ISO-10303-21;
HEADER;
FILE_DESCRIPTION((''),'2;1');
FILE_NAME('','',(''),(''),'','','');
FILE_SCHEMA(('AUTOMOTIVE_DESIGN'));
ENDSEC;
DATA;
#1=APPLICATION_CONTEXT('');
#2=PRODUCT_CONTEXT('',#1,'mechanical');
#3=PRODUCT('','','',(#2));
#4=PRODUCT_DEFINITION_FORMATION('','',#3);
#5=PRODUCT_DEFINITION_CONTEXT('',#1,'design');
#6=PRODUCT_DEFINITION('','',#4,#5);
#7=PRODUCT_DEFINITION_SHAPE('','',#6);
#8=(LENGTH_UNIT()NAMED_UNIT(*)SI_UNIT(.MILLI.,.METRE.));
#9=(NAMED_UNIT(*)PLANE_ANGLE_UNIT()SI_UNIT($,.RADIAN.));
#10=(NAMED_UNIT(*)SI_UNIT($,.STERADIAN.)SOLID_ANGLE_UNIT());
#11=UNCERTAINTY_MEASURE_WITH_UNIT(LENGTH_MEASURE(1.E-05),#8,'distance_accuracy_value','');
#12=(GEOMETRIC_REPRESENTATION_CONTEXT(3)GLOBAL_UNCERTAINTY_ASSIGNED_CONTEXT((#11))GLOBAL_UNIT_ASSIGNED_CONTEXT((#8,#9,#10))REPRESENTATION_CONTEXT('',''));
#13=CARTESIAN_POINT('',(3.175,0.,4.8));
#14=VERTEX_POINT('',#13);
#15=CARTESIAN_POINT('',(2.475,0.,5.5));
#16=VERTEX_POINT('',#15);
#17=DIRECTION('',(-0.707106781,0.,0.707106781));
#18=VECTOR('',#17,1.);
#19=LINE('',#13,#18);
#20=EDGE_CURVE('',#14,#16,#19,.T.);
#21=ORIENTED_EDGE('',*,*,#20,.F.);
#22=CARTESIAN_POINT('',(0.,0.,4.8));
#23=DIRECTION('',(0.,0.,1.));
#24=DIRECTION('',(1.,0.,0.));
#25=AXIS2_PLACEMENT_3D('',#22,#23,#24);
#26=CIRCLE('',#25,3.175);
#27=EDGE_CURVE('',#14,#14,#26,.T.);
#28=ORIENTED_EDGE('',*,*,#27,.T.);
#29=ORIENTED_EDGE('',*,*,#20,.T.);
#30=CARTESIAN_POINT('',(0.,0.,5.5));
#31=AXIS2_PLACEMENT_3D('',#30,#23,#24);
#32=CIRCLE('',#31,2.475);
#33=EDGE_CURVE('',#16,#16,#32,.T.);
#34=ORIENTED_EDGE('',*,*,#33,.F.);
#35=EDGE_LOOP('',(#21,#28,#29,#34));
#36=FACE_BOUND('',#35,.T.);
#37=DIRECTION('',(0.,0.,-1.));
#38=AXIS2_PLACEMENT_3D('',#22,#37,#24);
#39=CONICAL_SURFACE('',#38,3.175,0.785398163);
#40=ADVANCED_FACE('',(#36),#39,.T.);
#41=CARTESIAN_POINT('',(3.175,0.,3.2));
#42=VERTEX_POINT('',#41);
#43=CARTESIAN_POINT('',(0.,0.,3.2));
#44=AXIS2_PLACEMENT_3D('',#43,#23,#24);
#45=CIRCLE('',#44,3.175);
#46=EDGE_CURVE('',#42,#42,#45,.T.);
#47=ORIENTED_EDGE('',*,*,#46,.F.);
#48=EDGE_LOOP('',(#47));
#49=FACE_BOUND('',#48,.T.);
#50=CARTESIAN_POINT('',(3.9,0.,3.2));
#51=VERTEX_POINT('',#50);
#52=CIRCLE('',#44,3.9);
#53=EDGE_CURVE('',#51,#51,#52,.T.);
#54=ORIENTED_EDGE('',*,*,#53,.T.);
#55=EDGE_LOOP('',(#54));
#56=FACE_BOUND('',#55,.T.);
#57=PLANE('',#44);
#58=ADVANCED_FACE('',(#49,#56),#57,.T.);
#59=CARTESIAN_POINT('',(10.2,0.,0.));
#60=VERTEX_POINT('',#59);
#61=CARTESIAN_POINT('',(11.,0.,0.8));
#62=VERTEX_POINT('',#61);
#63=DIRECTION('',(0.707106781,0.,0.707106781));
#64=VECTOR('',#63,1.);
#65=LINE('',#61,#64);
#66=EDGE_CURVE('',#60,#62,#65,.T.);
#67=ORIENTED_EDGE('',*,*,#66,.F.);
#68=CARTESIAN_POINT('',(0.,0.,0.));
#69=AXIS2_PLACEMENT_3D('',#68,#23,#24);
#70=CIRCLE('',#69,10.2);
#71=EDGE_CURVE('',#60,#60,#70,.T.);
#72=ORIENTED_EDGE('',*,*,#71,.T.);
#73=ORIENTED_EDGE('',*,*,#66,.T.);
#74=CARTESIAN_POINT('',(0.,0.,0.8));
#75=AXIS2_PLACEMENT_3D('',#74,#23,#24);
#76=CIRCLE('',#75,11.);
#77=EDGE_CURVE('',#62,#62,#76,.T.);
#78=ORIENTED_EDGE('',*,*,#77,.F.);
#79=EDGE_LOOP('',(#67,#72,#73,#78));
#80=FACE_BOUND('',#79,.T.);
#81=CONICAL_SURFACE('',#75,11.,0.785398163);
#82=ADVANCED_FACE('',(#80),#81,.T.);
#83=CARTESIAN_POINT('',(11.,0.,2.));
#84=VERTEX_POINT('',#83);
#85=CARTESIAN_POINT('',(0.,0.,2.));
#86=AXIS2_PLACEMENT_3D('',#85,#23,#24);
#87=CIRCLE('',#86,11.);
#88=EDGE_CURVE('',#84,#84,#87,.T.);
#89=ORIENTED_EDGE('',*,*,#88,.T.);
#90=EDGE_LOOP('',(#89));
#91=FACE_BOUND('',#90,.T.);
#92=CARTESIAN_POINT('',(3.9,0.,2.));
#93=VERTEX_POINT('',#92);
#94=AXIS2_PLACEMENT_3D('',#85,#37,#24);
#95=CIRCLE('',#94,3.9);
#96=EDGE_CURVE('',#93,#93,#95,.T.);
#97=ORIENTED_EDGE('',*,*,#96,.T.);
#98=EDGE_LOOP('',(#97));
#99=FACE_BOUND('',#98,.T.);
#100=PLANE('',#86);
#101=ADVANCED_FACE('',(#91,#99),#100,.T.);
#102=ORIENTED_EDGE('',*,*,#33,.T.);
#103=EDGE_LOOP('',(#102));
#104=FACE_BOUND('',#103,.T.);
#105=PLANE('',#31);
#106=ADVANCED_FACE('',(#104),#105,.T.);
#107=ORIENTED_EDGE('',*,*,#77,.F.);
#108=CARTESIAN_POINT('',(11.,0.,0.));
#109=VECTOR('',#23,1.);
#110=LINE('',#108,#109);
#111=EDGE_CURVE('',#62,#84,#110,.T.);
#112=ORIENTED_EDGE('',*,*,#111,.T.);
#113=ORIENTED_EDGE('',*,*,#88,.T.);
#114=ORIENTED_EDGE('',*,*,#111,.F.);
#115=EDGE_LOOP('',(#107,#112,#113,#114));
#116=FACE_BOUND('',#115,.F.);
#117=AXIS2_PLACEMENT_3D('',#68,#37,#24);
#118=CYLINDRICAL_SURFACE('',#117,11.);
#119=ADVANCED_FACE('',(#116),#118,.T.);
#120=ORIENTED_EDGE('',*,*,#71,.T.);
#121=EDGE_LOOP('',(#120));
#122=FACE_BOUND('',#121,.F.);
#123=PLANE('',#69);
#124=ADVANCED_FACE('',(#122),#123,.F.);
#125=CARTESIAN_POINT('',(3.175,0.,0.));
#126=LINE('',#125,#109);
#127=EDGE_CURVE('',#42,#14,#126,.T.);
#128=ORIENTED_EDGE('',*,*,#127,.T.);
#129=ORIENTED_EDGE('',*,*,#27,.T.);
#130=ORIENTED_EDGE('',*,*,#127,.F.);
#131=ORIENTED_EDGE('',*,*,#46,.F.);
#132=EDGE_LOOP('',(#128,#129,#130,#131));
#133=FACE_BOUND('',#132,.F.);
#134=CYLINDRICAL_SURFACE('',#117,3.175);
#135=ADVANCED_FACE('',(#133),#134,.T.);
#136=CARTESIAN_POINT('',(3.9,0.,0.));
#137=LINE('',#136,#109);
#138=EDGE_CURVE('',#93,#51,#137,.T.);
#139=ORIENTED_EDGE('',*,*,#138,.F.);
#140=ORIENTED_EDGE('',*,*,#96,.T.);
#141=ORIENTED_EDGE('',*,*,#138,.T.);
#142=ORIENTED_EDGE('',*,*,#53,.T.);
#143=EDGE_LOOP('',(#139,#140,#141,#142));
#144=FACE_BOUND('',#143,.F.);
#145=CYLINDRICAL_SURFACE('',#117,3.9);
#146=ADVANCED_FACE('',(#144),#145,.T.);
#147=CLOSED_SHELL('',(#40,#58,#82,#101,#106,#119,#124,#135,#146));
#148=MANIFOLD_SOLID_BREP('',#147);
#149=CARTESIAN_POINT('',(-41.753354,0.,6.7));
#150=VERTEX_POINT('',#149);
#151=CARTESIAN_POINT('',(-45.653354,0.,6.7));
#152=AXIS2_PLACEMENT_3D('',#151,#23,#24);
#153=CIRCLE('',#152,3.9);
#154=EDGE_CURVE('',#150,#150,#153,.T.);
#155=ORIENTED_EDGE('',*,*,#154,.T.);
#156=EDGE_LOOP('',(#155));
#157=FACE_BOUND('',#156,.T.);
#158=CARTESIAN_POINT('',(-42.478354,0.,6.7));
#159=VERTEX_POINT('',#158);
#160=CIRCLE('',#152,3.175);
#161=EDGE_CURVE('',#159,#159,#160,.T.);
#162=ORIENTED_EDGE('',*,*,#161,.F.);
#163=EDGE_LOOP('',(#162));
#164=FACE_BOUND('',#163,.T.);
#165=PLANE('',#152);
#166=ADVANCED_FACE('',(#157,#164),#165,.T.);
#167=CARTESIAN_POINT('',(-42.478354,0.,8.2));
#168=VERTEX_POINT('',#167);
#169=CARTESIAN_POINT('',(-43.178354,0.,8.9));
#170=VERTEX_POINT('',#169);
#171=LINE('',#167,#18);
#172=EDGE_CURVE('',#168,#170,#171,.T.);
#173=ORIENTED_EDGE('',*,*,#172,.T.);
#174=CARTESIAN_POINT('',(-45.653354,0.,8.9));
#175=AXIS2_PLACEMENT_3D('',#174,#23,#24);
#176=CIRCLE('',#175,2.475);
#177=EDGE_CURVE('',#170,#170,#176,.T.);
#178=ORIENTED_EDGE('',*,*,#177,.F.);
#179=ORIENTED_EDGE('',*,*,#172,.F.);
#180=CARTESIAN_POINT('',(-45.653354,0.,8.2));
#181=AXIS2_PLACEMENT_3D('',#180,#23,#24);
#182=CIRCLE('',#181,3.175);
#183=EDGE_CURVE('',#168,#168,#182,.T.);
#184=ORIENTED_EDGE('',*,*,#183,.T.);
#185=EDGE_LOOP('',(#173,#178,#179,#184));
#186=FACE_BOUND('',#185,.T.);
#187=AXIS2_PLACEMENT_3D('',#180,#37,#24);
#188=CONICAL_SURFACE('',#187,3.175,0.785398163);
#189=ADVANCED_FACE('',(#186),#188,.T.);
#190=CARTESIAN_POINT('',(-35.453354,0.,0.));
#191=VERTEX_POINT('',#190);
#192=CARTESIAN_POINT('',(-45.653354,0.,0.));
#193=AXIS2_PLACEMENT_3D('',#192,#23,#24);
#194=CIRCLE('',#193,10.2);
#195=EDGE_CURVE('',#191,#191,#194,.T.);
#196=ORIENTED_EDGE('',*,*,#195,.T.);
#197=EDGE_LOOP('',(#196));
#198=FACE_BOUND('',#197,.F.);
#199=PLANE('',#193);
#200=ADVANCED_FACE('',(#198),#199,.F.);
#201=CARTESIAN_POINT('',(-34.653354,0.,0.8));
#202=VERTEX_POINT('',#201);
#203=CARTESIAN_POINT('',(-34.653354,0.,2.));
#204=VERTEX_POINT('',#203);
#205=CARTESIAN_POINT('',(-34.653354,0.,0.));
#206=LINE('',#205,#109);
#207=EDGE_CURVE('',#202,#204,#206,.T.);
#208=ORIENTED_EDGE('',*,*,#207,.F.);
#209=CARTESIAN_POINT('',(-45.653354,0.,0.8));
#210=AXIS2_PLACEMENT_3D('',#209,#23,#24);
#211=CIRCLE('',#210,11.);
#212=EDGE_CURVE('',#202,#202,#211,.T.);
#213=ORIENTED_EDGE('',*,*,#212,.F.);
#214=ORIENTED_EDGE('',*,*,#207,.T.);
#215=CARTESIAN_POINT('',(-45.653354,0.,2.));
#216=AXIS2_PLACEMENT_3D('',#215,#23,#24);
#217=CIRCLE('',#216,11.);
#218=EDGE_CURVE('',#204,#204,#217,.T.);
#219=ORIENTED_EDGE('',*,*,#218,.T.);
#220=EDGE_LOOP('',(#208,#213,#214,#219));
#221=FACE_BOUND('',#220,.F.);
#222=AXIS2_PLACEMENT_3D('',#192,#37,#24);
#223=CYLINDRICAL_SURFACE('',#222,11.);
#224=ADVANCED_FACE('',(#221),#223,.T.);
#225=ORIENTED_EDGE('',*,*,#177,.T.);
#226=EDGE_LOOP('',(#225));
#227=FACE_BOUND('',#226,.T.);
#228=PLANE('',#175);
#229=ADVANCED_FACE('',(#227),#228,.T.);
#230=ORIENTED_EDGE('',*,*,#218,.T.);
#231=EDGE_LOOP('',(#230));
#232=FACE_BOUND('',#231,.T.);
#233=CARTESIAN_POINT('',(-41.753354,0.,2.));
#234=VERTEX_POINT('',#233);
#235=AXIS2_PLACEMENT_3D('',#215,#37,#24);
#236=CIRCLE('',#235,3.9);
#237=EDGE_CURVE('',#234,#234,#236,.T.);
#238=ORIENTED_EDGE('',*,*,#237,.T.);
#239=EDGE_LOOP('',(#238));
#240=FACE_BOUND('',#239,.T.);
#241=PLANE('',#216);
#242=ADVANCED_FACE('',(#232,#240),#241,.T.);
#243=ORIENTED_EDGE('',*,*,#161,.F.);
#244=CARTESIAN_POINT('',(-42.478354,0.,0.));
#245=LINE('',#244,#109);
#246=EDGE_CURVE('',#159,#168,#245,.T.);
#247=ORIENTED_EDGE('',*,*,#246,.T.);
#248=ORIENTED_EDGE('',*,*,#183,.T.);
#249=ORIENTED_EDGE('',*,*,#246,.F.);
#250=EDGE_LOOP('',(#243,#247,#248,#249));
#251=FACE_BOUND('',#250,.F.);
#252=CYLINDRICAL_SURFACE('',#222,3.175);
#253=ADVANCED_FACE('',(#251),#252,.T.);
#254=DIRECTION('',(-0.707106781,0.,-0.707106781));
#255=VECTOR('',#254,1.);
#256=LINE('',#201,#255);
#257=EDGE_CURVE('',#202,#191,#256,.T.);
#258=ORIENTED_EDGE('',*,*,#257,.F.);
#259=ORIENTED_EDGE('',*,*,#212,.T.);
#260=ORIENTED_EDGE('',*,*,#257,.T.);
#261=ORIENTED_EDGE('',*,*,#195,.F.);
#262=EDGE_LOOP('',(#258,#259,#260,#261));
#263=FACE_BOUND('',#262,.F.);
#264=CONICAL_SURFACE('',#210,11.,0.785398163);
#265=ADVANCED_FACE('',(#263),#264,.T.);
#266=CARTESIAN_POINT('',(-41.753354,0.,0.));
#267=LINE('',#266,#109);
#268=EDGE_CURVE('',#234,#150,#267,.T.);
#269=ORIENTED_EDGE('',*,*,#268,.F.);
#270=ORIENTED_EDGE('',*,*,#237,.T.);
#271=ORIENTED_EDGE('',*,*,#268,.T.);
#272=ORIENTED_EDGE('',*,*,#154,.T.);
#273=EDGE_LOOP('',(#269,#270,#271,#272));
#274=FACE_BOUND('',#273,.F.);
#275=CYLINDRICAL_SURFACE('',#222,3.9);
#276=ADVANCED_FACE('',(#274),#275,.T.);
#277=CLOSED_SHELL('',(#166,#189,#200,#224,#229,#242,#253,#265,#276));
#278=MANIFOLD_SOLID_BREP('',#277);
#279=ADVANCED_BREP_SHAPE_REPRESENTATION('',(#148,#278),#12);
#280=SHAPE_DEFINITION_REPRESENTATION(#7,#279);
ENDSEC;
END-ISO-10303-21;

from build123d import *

# Parameters (mm, degrees)
F0_R     = 11
F0_R_2   = 3.9
F0_R_3   = 3.175
F1_DEPTH = 2
F2_DEPTH = 6.7
F3_DEPTH = 8.9
F4_DEPTH = 3.2
F5_DEPTH = 5.5
F6_SIZE  = 0.8
F7_SIZE  = 0.7


with BuildPart() as f1:
    # F0 (on Top) → F1 (new body)
    with BuildSketch(Plane.XY):
        with Locations((-45.653354, 0)):
            Circle(F0_R)
        with Locations((-45.653354, 0)):
            Circle(F0_R_2, mode=Mode.SUBTRACT)
        with Locations((-45.653354, 0)):
            Circle(F0_R_3)
        with Locations((-45.653354, 0)):
            Circle(F0_R_2)
        with Locations((-45.653354, 0)):
            Circle(F0_R_3, mode=Mode.SUBTRACT)
        Circle(F0_R)
        Circle(F0_R_2, mode=Mode.SUBTRACT)
        Circle(F0_R_2)
        Circle(F0_R_3, mode=Mode.SUBTRACT)
        Circle(F0_R_3)
    extrude(amount=F1_DEPTH)

    # F0 (on Top) → F2 (join)
    with BuildSketch(Plane.XY):
        with Locations((-45.653354, 0)):
            Circle(F0_R_3)
        with Locations((-45.653354, 0)):
            Circle(F0_R_2)
        with Locations((-45.653354, 0)):
            Circle(F0_R_3, mode=Mode.SUBTRACT)
    extrude(amount=F2_DEPTH)

    # F0 (on Top) → F3 (join)
    with BuildSketch(Plane.XY):
        with Locations((-45.653354, 0)):
            Circle(F0_R_3)
    extrude(amount=F3_DEPTH)

    # F0 (on Top) → F4 (join)
    with BuildSketch(Plane.XY):
        Circle(F0_R_3)
        Circle(F0_R_2)
        Circle(F0_R_3, mode=Mode.SUBTRACT)
    extrude(amount=F4_DEPTH)

    # F0 (on Top) → F5 (join)
    with BuildSketch(Plane.XY):
        Circle(F0_R_3)
    extrude(amount=F5_DEPTH)

    # F6
    f6_edges = [f1.edges().sort_by_distance(p)[0] for p in [
        (-56.653354, 0, 0),
        (-11, 0, 0),
    ]]
    chamfer(f6_edges, length=F6_SIZE)

    # F7
    f7_edges = [f1.edges().sort_by_distance(p)[0] for p in [
        (-48.828354, 0, 8.9),
        (-3.175, 0, 5.5),
    ]]
    chamfer(f7_edges, length=F7_SIZE)


solid = f1.part
